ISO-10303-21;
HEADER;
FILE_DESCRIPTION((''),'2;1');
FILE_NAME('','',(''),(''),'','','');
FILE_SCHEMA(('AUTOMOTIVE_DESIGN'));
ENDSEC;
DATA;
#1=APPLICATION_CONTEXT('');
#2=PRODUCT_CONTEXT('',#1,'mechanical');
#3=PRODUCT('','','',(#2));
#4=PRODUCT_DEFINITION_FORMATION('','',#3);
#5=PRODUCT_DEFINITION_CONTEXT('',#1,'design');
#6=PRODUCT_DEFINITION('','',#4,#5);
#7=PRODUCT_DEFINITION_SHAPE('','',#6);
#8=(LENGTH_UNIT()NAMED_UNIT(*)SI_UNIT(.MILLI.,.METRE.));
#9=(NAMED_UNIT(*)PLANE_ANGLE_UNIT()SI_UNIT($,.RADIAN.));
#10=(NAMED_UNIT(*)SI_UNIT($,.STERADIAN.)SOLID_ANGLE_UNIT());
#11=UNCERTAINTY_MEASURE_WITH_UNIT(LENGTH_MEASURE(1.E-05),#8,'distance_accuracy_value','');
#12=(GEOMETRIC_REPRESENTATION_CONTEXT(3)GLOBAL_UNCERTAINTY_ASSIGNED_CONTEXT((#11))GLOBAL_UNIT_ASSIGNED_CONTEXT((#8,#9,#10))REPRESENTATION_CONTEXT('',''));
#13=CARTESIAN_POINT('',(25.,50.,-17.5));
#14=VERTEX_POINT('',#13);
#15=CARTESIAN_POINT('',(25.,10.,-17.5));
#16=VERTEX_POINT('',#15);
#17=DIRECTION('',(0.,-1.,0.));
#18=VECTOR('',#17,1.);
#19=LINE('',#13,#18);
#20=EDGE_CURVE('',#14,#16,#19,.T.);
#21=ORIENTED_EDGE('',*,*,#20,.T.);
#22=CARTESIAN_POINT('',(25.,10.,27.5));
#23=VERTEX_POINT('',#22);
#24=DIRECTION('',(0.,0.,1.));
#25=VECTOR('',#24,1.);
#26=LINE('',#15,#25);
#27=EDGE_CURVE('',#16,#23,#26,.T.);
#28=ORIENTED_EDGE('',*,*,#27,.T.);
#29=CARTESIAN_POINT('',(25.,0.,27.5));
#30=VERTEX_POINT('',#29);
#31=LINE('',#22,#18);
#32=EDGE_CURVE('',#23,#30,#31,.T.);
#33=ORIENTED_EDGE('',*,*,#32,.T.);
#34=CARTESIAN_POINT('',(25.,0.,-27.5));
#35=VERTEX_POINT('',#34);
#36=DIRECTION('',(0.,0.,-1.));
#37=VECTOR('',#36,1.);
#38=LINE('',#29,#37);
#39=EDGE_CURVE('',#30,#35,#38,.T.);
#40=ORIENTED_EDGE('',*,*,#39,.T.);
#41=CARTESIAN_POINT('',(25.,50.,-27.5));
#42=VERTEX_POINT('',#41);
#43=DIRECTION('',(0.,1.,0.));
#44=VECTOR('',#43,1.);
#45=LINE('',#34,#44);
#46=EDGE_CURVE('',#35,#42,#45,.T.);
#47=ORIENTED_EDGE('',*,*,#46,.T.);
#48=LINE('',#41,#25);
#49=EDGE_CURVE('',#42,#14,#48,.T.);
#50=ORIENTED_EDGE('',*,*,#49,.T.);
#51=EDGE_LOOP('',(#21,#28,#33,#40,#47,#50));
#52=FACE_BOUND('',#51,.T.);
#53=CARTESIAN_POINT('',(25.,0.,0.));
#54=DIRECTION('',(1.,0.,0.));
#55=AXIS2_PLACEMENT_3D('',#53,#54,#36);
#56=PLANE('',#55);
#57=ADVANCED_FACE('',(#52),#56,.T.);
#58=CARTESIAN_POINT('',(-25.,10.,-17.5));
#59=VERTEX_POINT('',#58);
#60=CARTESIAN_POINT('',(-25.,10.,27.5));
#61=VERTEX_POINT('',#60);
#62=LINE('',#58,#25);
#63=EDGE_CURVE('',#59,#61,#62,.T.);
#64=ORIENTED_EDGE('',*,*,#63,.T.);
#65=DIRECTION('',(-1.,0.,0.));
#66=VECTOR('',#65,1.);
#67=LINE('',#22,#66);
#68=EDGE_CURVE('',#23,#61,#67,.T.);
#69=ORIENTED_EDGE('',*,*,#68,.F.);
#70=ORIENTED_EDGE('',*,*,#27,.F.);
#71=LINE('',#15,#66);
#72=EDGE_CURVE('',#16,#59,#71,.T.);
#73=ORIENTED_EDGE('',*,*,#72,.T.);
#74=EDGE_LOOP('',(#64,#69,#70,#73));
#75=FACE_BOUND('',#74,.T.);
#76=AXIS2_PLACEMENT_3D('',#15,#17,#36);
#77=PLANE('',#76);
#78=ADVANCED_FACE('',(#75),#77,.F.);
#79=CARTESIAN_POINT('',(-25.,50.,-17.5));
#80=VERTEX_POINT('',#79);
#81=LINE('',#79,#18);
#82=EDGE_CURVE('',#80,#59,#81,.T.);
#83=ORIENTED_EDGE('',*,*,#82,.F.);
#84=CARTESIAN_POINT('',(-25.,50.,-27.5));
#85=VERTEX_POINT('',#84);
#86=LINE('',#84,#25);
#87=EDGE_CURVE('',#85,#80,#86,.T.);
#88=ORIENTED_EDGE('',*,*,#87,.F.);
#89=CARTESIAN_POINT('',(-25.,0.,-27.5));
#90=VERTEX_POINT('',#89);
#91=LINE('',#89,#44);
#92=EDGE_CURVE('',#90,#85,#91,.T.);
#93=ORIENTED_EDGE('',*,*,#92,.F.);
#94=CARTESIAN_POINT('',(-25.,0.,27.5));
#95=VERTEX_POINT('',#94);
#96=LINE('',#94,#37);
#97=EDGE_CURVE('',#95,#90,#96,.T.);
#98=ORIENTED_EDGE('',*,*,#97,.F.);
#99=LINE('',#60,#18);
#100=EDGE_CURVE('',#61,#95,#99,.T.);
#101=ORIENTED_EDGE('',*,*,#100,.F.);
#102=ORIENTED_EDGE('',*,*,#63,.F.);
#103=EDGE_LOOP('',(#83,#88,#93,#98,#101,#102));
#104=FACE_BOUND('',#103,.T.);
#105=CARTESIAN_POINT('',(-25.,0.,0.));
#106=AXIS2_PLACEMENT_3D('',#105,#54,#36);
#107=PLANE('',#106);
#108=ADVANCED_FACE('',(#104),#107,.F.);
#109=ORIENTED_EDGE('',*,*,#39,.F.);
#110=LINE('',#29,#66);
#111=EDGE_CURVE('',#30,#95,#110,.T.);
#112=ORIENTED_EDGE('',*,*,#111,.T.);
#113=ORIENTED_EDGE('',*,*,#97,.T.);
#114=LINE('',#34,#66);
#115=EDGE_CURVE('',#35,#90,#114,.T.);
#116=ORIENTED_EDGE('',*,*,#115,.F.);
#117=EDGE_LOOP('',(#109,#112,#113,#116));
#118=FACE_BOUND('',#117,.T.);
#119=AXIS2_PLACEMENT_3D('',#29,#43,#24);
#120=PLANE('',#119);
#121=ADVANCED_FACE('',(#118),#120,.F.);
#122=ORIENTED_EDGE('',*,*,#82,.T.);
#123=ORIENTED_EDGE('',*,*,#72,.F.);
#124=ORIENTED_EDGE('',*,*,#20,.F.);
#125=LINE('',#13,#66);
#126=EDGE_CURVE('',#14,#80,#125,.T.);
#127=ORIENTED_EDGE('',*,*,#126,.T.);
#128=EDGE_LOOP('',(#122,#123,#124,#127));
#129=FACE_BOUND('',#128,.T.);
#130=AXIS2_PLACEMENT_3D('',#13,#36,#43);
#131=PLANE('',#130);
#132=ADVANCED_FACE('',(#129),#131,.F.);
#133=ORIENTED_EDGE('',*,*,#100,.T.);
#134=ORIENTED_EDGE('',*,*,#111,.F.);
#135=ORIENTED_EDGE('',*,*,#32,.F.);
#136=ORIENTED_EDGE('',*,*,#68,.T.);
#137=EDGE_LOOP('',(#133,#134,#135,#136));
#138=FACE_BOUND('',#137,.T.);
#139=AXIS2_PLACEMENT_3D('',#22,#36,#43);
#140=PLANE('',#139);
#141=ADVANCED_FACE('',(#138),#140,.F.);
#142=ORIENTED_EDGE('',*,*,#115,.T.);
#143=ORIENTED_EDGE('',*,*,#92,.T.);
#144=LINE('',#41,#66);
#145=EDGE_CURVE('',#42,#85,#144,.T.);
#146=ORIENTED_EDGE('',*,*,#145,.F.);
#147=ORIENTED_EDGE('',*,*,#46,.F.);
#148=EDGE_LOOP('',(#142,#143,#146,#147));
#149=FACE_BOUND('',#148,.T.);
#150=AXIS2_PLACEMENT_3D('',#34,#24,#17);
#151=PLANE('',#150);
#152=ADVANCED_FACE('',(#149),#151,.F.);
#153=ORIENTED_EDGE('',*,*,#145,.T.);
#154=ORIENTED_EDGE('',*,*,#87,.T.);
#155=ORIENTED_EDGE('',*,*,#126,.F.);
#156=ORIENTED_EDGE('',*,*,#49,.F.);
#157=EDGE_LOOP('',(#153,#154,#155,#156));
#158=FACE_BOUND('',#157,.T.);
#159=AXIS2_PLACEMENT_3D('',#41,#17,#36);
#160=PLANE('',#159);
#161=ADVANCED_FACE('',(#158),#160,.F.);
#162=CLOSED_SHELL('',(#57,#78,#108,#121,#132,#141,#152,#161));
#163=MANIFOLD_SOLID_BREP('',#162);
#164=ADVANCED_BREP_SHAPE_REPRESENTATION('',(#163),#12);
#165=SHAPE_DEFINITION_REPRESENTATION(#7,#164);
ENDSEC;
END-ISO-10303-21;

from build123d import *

# Parameters (mm, degrees)
BOSS_EXTRU_1_DEPTH = 25


with BuildPart() as part:
    # Esquisse1 → Boss.-Extru.1 (new, symmetric)
    with BuildSketch(Plane(origin=(0, 0, 0), x_dir=(0, 0, -1), z_dir=(1, 0, 0))):
        Polygon((-27.5, 0), (27.5, 0), (27.5, 50), (17.5, 50), (17.5, 10), (-27.5, 10), align=None)
    extrude(amount=BOSS_EXTRU_1_DEPTH, both=True)


solid = part.part
